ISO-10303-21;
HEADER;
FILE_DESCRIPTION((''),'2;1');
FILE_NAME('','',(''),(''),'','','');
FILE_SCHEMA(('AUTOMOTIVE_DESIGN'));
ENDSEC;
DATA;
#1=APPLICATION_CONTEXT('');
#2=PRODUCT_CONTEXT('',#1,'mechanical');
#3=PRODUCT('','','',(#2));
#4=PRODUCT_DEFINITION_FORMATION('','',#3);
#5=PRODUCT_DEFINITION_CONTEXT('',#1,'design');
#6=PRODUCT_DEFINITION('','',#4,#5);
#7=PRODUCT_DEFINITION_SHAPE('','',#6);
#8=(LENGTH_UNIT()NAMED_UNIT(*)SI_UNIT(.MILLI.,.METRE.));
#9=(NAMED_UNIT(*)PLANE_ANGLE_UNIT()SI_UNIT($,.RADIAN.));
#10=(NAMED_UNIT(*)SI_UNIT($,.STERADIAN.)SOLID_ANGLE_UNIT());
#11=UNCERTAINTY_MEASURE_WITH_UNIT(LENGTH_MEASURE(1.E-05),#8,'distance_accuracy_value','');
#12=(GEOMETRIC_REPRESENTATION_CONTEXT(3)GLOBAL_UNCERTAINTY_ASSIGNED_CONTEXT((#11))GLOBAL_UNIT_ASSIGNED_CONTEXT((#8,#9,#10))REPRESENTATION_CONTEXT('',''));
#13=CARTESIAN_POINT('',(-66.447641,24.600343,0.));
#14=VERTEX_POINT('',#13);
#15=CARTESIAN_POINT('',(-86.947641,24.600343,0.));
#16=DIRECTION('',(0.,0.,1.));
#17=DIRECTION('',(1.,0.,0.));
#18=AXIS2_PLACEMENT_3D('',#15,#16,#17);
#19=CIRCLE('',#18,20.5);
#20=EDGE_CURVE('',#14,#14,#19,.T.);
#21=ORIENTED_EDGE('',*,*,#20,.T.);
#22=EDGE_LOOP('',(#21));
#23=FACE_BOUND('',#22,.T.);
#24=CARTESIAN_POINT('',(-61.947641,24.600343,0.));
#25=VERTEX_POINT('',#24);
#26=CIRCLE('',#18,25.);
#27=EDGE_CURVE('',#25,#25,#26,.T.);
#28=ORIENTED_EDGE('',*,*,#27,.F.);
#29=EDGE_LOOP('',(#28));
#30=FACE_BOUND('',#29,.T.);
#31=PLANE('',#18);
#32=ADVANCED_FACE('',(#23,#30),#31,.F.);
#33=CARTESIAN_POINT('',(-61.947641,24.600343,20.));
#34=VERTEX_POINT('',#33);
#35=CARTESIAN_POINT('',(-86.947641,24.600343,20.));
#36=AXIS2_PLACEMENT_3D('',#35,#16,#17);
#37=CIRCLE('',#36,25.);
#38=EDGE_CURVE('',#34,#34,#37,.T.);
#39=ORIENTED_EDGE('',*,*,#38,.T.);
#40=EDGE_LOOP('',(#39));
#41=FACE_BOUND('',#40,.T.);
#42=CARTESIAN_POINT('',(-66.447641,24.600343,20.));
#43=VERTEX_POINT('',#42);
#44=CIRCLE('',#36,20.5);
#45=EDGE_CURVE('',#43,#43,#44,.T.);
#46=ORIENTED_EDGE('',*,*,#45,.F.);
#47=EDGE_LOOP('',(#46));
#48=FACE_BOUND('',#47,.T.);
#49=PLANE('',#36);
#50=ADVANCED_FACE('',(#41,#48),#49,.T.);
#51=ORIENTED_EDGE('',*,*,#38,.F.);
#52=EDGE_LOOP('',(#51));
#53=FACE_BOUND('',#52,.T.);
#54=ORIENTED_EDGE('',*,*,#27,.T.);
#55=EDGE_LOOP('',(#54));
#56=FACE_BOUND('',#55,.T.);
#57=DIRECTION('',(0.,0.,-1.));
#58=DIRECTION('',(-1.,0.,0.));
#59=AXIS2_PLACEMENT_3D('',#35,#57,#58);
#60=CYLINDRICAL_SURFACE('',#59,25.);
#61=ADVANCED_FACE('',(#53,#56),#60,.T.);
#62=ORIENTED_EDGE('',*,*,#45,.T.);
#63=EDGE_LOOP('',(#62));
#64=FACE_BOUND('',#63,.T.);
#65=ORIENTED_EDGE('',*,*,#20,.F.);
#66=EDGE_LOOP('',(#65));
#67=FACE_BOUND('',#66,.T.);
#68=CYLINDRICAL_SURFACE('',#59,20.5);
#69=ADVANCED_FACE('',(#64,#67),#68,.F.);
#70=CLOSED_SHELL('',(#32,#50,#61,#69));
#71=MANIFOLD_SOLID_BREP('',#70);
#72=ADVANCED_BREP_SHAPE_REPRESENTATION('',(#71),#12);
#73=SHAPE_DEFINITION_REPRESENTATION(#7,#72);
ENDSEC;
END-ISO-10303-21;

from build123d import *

# Parameters (mm, degrees)
SKETCH_1_R      = 25
SKETCH_1_R_2    = 20.5
EXTRUDE_1_DEPTH = 20


with BuildPart() as part:
    # 草图1 → 凸台-拉伸1 (new body)
    with BuildSketch(Plane.XY):
        with Locations((-86.947641376, 24.600343471)):
            Circle(SKETCH_1_R)
        with Locations((-86.947641376, 24.600343471)):
            Circle(SKETCH_1_R_2, mode=Mode.SUBTRACT)
    extrude(amount=EXTRUDE_1_DEPTH)


solid = part.part
